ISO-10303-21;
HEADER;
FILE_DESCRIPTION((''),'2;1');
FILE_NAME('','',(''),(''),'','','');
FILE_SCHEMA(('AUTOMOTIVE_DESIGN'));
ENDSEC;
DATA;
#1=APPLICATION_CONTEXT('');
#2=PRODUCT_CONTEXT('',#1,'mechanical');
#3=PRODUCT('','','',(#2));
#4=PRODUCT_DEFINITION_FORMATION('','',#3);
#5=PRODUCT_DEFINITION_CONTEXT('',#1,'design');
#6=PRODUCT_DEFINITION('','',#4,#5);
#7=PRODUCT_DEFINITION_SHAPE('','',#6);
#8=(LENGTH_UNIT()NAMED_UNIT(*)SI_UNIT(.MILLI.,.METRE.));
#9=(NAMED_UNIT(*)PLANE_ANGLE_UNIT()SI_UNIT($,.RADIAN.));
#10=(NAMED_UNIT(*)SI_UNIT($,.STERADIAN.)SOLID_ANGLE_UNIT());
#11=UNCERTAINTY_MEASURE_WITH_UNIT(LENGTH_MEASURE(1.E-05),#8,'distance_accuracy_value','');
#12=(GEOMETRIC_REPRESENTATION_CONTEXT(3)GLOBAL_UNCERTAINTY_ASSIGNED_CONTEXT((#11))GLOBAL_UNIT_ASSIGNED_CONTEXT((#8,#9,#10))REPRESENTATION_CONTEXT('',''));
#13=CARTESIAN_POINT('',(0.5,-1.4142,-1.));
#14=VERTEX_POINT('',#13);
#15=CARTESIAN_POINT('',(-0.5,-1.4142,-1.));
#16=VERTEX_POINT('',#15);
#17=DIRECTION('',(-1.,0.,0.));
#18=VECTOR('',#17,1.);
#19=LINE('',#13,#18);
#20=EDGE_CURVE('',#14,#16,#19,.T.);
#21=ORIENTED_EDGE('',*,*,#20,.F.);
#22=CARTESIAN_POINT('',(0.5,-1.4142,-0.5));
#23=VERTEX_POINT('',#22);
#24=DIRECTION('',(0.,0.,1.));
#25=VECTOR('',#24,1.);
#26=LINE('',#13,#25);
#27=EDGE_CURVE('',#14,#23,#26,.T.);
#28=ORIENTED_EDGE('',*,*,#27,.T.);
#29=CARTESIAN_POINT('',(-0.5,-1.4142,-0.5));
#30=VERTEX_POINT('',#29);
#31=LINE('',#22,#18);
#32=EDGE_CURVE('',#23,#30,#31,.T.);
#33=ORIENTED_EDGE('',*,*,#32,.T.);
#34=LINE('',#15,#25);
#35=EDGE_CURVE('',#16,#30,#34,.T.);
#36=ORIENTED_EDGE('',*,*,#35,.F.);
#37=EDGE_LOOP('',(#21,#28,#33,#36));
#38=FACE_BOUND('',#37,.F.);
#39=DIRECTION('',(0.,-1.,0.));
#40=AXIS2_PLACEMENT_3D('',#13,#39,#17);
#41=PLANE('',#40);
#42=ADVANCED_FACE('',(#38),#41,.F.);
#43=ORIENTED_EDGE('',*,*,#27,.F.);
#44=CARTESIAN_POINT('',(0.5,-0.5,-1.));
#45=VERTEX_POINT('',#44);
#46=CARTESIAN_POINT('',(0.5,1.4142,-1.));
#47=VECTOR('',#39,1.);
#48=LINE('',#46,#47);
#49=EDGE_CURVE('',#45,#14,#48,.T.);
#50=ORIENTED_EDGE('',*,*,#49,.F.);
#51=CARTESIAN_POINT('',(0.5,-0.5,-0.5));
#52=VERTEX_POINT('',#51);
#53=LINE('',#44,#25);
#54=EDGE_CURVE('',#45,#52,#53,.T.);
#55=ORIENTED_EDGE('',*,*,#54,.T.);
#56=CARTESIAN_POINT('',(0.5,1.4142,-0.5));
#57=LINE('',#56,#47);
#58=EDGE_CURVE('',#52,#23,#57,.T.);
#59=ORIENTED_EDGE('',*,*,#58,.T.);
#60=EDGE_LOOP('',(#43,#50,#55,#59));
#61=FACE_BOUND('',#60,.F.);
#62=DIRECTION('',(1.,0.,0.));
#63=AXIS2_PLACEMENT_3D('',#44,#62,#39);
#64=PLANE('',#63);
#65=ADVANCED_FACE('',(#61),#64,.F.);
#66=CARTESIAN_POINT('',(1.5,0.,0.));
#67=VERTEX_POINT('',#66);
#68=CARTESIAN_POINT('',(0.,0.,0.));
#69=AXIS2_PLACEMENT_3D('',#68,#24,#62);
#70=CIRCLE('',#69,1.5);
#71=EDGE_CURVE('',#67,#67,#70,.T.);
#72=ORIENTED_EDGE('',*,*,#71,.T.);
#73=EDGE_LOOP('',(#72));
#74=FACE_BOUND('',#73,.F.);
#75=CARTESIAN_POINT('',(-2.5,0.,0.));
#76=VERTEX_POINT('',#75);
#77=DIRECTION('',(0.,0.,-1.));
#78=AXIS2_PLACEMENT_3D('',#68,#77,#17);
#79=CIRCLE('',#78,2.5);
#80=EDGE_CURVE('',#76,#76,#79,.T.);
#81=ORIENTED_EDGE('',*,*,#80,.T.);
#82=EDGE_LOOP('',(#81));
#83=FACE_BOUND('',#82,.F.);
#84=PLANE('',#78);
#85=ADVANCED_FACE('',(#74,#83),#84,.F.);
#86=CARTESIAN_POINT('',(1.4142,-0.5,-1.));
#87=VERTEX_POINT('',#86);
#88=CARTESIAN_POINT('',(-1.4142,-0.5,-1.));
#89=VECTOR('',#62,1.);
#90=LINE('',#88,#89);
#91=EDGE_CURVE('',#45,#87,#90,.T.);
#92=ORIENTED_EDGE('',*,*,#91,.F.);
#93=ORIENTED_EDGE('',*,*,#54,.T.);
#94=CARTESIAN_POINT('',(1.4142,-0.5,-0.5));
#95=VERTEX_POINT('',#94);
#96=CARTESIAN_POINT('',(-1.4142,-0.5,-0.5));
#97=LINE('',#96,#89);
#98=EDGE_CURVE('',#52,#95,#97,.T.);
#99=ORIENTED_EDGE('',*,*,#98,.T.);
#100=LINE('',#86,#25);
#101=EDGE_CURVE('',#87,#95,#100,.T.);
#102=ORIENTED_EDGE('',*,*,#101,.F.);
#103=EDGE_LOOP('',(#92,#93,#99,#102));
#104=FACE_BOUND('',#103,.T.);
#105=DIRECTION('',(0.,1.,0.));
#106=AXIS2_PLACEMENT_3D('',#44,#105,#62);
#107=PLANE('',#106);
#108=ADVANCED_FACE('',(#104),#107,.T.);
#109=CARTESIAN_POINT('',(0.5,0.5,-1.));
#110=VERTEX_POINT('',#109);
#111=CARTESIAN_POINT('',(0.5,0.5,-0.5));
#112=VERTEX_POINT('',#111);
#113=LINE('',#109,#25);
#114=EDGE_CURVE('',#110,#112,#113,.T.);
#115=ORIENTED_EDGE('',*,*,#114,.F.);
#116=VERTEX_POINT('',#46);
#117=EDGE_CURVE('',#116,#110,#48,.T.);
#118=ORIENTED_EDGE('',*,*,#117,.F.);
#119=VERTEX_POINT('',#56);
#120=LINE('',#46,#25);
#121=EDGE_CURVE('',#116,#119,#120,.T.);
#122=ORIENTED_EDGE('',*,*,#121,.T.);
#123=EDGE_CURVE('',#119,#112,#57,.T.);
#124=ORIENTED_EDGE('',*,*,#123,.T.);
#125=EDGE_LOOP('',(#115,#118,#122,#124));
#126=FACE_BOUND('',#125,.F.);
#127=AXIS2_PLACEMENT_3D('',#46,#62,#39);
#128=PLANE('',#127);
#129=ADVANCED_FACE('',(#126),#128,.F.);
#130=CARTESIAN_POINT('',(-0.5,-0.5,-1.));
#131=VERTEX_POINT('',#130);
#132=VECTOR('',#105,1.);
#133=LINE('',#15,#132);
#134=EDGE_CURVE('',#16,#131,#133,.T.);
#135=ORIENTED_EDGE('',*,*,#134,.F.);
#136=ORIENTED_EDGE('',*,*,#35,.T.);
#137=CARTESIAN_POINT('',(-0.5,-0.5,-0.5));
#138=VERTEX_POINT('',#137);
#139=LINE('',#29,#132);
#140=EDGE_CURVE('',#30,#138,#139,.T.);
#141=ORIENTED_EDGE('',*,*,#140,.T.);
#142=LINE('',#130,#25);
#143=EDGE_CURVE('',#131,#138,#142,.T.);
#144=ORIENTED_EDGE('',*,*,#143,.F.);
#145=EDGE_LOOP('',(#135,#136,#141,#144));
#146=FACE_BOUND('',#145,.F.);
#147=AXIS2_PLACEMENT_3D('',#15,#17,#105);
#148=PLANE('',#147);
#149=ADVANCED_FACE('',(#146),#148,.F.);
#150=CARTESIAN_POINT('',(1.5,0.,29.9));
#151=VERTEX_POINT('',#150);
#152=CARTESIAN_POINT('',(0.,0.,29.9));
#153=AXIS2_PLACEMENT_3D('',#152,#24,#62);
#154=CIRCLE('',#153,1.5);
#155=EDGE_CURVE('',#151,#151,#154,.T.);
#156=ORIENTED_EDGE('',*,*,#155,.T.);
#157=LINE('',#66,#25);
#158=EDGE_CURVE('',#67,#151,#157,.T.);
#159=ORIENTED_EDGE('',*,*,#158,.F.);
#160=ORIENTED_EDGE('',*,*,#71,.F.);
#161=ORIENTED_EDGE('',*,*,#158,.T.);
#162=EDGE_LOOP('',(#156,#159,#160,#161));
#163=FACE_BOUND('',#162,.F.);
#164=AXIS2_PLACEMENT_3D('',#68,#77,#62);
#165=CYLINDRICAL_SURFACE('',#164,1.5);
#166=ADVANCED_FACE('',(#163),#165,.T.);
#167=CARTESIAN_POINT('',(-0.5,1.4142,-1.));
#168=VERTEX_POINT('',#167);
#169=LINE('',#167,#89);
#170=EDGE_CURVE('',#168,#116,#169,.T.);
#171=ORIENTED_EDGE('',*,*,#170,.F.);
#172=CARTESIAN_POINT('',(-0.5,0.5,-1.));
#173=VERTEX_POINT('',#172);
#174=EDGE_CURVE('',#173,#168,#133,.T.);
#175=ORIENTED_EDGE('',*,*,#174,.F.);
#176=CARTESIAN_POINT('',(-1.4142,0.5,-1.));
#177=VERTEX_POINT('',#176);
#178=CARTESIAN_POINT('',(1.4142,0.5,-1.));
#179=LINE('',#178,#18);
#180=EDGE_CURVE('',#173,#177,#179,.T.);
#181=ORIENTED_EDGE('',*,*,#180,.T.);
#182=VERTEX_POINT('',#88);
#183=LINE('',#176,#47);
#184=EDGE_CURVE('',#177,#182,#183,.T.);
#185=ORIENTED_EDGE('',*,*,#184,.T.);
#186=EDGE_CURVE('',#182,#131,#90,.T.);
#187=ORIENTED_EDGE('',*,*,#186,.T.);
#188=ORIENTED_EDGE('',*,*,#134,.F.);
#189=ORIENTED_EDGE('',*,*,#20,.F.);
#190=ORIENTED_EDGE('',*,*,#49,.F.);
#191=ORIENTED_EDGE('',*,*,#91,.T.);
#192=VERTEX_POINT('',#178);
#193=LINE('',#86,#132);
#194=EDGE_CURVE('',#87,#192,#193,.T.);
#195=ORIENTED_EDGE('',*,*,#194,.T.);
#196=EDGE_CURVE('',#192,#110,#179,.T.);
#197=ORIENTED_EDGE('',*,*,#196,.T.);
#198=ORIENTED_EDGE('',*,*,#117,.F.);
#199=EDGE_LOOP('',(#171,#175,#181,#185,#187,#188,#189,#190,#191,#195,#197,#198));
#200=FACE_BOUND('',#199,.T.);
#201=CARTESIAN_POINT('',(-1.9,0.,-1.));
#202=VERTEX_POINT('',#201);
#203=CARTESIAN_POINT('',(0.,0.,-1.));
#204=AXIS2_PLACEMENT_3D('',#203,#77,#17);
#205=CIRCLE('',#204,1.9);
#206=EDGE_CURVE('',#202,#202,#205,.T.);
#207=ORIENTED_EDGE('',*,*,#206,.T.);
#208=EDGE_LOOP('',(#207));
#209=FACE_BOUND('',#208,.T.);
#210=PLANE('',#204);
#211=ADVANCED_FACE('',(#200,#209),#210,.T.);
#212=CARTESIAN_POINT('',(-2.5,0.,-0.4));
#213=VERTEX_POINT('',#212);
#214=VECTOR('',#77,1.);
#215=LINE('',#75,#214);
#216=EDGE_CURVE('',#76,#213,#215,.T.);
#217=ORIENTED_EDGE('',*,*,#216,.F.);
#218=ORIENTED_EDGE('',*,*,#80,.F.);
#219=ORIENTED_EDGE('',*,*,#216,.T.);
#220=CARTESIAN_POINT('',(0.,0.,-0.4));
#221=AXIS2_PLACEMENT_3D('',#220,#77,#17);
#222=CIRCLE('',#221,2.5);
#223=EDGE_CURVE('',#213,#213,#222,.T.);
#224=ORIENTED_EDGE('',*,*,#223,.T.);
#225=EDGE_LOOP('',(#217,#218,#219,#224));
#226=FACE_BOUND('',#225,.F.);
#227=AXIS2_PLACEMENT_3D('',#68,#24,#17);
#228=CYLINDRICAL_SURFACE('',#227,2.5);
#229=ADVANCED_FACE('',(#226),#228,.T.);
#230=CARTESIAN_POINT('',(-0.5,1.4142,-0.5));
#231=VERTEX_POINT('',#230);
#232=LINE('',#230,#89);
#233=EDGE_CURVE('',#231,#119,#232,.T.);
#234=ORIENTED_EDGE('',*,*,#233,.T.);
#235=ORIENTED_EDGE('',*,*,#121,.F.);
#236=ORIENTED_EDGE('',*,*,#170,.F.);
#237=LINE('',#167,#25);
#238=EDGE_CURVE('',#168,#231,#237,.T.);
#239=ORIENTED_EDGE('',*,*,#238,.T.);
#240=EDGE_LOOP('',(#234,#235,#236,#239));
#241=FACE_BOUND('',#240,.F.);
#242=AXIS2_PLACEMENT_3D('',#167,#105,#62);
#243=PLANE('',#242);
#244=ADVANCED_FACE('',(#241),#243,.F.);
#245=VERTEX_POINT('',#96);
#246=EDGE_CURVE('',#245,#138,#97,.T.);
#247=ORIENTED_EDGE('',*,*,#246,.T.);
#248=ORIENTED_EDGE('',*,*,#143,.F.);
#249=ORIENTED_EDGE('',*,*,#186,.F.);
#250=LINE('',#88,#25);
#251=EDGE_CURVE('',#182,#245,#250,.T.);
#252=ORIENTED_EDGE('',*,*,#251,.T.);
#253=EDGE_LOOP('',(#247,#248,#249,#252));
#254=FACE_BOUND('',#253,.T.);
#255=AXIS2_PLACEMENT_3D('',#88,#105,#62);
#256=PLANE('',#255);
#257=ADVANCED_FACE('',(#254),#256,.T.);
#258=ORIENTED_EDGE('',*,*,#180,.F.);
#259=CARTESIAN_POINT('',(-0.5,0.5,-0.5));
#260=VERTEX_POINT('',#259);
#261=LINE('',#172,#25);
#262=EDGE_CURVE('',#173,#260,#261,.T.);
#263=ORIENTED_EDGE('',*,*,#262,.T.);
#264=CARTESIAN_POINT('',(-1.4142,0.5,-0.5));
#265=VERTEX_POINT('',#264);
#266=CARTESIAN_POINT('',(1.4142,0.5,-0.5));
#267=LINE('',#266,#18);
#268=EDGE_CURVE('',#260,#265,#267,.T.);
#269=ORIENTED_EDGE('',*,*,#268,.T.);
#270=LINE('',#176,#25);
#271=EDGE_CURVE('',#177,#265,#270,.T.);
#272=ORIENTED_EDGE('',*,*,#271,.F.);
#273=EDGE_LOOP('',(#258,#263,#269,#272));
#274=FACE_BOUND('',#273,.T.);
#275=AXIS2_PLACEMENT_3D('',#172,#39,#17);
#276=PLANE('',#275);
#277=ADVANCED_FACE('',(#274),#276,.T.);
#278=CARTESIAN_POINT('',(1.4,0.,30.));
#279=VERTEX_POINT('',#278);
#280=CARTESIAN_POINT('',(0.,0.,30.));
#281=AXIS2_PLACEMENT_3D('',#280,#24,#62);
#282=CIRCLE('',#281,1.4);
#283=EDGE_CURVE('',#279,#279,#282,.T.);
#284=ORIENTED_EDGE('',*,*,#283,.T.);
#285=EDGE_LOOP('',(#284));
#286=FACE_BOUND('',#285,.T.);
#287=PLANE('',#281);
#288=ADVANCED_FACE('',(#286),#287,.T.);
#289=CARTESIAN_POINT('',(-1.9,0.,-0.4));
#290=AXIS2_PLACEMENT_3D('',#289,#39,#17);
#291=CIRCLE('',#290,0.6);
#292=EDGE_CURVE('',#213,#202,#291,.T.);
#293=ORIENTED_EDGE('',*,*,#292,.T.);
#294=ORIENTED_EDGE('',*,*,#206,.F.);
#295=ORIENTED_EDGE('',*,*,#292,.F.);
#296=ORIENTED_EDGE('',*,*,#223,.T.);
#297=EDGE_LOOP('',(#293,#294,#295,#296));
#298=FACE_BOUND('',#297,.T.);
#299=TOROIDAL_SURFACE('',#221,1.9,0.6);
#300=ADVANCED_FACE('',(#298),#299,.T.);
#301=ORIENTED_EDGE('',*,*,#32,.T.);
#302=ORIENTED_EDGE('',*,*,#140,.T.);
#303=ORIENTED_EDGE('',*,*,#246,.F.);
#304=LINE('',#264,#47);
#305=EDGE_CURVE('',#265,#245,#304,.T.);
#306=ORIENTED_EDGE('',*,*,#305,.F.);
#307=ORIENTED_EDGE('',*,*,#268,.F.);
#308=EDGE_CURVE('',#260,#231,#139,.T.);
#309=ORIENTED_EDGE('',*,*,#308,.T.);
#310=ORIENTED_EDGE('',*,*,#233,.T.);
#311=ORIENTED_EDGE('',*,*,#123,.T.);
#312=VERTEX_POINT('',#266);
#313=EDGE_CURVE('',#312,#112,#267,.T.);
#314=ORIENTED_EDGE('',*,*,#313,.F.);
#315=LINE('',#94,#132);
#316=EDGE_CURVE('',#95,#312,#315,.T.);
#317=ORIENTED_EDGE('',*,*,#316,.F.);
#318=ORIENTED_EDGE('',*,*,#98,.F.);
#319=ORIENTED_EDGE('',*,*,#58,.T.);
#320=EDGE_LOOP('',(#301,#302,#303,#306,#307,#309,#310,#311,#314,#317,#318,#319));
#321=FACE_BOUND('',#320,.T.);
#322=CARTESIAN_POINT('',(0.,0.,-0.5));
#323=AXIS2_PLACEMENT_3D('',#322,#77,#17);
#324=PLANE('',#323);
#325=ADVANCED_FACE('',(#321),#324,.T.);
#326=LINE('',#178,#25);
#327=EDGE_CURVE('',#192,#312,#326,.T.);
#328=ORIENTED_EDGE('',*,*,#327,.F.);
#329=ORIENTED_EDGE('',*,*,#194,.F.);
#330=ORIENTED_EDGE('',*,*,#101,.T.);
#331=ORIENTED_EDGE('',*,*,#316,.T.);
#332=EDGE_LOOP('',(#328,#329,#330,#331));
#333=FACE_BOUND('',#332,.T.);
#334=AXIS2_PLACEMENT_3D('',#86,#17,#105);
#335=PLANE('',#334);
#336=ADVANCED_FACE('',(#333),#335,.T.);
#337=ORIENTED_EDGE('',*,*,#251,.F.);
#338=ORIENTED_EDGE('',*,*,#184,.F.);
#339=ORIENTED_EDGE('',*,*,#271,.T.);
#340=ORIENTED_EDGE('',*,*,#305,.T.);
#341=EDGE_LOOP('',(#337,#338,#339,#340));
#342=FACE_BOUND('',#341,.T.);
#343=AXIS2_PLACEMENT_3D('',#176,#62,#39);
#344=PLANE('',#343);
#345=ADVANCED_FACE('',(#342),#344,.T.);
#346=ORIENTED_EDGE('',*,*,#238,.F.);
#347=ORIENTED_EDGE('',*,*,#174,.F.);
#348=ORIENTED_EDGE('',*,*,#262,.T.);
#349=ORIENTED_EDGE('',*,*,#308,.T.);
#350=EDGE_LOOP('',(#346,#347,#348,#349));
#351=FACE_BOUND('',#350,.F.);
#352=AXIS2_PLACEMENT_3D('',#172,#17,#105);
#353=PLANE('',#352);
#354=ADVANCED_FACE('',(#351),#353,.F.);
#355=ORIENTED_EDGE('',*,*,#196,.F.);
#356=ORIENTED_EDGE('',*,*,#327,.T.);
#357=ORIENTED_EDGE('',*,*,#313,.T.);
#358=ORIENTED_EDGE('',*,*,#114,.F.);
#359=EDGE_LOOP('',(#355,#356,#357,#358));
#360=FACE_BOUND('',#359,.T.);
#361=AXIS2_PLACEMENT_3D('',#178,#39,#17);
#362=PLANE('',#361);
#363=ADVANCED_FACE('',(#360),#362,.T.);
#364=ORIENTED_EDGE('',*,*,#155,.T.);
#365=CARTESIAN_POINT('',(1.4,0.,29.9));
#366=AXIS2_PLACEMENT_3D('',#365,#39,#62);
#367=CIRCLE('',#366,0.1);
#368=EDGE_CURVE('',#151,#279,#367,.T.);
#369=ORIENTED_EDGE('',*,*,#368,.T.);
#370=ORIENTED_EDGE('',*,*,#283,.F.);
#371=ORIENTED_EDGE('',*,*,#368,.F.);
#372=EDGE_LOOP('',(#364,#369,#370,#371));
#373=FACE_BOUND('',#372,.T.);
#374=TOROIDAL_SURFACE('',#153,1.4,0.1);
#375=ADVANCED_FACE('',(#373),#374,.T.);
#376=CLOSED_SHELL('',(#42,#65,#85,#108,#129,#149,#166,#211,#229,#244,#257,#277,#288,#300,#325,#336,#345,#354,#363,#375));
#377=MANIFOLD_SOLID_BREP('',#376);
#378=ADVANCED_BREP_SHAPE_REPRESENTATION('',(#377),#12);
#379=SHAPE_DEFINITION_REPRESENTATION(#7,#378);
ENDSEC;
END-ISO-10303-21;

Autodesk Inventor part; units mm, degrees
ref_plane "YZ Plane" through (0, 0, 0) normal (1, 0, 0) x (0, 1, 0)
ref_plane "XZ Plane" through (0, 0, 0) normal (0, 1, 0) x (-1, 0, 0)
ref_plane "XY Plane" through (0, 0, 0) normal (0, 0, 1) x (1, 0, 0)
sketch "Sketch1" plane through (0, 0, 0) normal (0, 0, 1) x (1, 0, 0)
  circle A0 centre (0, 0) radius 1.5
  dimension "d0" = 3
extrude "Extrusion1" add sketch "Sketch1" along normal blind 30
fillet "Fillet1" radius 0.1 1 edges at (-1.5, 0, 30)
sketch "Sketch2" plane through (0, 0, 0) normal (0, 0, -1) x (-1, 0, 0)
  circle A0 centre (0, 0) radius 2.5
  dimension "d4" = 5
extrude "Extrusion2" add sketch "Sketch2" along normal blind 1
sketch "Sketch3" plane through (0, 0, -1) normal (0, 0, -1) x (-1, 0, 0)
  line L0 (-1.4142, 0.5) -> (1.4142, 0.5)
  line L1 (1.4142, 0.5) -> (1.4142, -0.5)
  line L2 (1.4142, -0.5) -> (-1.4142, -0.5)
  line L3 (-1.4142, -0.5) -> (-1.4142, 0.5)
  line L4 (-1.4142, 0.5) -> (1.4142, -0.5) construction
  line L5 (1.4142, 0.5) -> (-1.4142, -0.5) construction
  line L6 (0.5, 1.4142) -> (-0.5, 1.4142)
  line L7 (-0.5, 1.4142) -> (-0.5, -1.4142)
  line L8 (-0.5, -1.4142) -> (0.5, -1.4142)
  line L9 (0.5, -1.4142) -> (0.5, 1.4142)
  line L10 (0.5, 1.4142) -> (-0.5, -1.4142) construction
  line L11 (-0.5, 1.4142) -> (0.5, -1.4142) construction
  point P0 (0, 0)
  point P1 (0, 0)
  point P2 (0, 0)
  dimension "d8" = 1
  dimension "d9" = 1
extrude "Extrusion3" cut sketch "Sketch3" against normal blind 0.5
fillet "Fillet2" radius 0.6 1 edges at (2.5, 0, -1)
properties part number "M3-2"
